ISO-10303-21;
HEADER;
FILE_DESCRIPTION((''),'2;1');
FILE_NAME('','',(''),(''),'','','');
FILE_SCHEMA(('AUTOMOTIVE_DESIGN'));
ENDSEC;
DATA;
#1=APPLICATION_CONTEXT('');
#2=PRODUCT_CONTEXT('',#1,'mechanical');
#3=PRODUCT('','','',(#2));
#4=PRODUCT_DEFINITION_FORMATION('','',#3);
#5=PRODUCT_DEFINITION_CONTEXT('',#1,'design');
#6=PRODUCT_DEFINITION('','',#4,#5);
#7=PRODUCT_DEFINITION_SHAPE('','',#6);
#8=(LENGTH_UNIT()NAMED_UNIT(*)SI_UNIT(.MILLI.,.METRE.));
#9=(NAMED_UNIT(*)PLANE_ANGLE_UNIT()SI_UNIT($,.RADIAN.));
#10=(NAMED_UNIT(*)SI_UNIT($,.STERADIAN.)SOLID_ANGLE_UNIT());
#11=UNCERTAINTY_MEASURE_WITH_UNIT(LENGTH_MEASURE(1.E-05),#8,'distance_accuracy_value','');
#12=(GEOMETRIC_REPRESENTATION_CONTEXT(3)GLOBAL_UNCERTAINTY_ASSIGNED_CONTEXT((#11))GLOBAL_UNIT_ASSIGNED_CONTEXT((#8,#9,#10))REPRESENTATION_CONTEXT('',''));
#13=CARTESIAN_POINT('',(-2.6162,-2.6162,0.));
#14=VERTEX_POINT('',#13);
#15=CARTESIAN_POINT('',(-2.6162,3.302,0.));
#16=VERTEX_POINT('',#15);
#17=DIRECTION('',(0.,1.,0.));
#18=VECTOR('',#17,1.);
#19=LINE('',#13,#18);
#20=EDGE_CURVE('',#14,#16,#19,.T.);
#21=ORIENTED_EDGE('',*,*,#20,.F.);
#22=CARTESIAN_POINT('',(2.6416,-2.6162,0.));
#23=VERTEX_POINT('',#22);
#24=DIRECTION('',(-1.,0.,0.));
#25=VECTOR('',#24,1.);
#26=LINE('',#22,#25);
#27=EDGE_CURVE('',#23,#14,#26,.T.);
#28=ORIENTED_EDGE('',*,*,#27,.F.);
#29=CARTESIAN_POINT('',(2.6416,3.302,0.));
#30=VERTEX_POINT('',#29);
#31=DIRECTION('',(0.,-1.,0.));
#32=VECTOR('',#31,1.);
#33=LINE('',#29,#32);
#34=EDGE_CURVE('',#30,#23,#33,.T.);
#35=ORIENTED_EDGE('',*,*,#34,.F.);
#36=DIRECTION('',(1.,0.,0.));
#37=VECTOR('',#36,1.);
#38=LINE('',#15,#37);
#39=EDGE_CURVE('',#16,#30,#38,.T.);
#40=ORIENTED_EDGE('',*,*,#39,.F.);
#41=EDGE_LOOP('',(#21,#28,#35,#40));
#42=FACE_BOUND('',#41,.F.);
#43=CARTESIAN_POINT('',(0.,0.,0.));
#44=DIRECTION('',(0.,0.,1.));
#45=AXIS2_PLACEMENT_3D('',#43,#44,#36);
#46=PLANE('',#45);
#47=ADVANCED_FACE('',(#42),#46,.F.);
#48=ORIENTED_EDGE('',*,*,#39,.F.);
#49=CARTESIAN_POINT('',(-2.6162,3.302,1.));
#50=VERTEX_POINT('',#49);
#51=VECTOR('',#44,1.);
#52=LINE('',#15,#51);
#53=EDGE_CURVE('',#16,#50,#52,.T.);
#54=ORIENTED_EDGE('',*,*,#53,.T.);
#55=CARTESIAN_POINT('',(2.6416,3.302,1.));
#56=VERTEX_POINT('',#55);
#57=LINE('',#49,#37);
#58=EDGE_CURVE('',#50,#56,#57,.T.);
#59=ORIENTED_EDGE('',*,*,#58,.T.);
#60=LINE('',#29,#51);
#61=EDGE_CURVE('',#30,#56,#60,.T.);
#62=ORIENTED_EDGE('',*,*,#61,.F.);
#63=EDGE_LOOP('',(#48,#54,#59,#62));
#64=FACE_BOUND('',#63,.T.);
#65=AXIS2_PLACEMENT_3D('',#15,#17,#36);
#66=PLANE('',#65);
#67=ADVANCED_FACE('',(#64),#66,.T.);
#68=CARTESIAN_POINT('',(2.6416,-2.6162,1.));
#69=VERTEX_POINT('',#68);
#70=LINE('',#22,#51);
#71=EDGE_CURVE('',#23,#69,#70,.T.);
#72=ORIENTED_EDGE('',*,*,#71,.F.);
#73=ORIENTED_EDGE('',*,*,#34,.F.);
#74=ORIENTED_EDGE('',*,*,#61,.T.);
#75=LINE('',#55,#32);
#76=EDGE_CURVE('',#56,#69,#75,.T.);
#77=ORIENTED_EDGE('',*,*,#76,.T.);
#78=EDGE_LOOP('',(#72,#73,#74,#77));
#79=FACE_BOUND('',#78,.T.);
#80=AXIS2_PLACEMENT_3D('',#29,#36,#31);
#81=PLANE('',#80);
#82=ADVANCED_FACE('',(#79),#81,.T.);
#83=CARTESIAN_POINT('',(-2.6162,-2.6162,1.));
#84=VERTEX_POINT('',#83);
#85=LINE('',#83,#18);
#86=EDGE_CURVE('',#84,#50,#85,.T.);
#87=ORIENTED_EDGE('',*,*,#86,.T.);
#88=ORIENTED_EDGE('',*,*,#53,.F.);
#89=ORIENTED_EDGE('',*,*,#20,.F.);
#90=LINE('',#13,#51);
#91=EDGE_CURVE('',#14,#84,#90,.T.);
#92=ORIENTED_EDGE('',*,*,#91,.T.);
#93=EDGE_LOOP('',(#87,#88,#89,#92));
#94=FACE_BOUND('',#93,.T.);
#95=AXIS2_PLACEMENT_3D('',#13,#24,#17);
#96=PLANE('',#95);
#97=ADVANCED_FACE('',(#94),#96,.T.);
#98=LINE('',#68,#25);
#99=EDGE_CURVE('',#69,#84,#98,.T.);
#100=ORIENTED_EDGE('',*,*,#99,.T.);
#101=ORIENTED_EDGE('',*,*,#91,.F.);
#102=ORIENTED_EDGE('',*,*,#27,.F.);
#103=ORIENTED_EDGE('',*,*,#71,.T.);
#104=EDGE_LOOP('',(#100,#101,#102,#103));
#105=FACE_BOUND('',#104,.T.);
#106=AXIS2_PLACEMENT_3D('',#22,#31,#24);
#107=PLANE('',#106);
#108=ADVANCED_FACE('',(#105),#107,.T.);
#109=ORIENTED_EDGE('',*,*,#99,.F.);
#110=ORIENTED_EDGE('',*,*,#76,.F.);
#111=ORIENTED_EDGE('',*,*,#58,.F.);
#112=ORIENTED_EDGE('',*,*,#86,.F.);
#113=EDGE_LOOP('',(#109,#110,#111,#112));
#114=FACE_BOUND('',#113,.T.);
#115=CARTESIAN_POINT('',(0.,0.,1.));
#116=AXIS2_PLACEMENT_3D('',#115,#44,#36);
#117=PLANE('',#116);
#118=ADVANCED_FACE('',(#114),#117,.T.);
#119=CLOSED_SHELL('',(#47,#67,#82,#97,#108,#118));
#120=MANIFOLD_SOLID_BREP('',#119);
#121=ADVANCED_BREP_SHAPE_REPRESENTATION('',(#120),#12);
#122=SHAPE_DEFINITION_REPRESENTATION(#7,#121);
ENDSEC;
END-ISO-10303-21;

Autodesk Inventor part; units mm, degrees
ref_plane "YZ Plane" through (0, 0, 0) normal (1, 0, 0) x (0, 1, 0)
ref_plane "XZ Plane" through (0, 0, 0) normal (0, 1, 0) x (-1, 0, 0)
ref_plane "XY Plane" through (0, 0, 0) normal (0, 0, 1) x (1, 0, 0)
sketch "LED5MM, LED5MM_21" plane through (0, 0, 0) normal (0, 0, 1) x (1, 0, 0)
  line L0 (-2.6162, 3.302) -> (2.6416, 3.302)
  line L1 (2.6416, 3.302) -> (2.6416, -2.6162)
  line L2 (2.6416, -2.6162) -> (-2.6162, -2.6162)
  line L3 (-2.6162, -2.6162) -> (-2.6162, 3.302)
extrude "Выдавливание1" add sketch "LED5MM, LED5MM_21" along normal blind 1
properties part number "LED5MM"
